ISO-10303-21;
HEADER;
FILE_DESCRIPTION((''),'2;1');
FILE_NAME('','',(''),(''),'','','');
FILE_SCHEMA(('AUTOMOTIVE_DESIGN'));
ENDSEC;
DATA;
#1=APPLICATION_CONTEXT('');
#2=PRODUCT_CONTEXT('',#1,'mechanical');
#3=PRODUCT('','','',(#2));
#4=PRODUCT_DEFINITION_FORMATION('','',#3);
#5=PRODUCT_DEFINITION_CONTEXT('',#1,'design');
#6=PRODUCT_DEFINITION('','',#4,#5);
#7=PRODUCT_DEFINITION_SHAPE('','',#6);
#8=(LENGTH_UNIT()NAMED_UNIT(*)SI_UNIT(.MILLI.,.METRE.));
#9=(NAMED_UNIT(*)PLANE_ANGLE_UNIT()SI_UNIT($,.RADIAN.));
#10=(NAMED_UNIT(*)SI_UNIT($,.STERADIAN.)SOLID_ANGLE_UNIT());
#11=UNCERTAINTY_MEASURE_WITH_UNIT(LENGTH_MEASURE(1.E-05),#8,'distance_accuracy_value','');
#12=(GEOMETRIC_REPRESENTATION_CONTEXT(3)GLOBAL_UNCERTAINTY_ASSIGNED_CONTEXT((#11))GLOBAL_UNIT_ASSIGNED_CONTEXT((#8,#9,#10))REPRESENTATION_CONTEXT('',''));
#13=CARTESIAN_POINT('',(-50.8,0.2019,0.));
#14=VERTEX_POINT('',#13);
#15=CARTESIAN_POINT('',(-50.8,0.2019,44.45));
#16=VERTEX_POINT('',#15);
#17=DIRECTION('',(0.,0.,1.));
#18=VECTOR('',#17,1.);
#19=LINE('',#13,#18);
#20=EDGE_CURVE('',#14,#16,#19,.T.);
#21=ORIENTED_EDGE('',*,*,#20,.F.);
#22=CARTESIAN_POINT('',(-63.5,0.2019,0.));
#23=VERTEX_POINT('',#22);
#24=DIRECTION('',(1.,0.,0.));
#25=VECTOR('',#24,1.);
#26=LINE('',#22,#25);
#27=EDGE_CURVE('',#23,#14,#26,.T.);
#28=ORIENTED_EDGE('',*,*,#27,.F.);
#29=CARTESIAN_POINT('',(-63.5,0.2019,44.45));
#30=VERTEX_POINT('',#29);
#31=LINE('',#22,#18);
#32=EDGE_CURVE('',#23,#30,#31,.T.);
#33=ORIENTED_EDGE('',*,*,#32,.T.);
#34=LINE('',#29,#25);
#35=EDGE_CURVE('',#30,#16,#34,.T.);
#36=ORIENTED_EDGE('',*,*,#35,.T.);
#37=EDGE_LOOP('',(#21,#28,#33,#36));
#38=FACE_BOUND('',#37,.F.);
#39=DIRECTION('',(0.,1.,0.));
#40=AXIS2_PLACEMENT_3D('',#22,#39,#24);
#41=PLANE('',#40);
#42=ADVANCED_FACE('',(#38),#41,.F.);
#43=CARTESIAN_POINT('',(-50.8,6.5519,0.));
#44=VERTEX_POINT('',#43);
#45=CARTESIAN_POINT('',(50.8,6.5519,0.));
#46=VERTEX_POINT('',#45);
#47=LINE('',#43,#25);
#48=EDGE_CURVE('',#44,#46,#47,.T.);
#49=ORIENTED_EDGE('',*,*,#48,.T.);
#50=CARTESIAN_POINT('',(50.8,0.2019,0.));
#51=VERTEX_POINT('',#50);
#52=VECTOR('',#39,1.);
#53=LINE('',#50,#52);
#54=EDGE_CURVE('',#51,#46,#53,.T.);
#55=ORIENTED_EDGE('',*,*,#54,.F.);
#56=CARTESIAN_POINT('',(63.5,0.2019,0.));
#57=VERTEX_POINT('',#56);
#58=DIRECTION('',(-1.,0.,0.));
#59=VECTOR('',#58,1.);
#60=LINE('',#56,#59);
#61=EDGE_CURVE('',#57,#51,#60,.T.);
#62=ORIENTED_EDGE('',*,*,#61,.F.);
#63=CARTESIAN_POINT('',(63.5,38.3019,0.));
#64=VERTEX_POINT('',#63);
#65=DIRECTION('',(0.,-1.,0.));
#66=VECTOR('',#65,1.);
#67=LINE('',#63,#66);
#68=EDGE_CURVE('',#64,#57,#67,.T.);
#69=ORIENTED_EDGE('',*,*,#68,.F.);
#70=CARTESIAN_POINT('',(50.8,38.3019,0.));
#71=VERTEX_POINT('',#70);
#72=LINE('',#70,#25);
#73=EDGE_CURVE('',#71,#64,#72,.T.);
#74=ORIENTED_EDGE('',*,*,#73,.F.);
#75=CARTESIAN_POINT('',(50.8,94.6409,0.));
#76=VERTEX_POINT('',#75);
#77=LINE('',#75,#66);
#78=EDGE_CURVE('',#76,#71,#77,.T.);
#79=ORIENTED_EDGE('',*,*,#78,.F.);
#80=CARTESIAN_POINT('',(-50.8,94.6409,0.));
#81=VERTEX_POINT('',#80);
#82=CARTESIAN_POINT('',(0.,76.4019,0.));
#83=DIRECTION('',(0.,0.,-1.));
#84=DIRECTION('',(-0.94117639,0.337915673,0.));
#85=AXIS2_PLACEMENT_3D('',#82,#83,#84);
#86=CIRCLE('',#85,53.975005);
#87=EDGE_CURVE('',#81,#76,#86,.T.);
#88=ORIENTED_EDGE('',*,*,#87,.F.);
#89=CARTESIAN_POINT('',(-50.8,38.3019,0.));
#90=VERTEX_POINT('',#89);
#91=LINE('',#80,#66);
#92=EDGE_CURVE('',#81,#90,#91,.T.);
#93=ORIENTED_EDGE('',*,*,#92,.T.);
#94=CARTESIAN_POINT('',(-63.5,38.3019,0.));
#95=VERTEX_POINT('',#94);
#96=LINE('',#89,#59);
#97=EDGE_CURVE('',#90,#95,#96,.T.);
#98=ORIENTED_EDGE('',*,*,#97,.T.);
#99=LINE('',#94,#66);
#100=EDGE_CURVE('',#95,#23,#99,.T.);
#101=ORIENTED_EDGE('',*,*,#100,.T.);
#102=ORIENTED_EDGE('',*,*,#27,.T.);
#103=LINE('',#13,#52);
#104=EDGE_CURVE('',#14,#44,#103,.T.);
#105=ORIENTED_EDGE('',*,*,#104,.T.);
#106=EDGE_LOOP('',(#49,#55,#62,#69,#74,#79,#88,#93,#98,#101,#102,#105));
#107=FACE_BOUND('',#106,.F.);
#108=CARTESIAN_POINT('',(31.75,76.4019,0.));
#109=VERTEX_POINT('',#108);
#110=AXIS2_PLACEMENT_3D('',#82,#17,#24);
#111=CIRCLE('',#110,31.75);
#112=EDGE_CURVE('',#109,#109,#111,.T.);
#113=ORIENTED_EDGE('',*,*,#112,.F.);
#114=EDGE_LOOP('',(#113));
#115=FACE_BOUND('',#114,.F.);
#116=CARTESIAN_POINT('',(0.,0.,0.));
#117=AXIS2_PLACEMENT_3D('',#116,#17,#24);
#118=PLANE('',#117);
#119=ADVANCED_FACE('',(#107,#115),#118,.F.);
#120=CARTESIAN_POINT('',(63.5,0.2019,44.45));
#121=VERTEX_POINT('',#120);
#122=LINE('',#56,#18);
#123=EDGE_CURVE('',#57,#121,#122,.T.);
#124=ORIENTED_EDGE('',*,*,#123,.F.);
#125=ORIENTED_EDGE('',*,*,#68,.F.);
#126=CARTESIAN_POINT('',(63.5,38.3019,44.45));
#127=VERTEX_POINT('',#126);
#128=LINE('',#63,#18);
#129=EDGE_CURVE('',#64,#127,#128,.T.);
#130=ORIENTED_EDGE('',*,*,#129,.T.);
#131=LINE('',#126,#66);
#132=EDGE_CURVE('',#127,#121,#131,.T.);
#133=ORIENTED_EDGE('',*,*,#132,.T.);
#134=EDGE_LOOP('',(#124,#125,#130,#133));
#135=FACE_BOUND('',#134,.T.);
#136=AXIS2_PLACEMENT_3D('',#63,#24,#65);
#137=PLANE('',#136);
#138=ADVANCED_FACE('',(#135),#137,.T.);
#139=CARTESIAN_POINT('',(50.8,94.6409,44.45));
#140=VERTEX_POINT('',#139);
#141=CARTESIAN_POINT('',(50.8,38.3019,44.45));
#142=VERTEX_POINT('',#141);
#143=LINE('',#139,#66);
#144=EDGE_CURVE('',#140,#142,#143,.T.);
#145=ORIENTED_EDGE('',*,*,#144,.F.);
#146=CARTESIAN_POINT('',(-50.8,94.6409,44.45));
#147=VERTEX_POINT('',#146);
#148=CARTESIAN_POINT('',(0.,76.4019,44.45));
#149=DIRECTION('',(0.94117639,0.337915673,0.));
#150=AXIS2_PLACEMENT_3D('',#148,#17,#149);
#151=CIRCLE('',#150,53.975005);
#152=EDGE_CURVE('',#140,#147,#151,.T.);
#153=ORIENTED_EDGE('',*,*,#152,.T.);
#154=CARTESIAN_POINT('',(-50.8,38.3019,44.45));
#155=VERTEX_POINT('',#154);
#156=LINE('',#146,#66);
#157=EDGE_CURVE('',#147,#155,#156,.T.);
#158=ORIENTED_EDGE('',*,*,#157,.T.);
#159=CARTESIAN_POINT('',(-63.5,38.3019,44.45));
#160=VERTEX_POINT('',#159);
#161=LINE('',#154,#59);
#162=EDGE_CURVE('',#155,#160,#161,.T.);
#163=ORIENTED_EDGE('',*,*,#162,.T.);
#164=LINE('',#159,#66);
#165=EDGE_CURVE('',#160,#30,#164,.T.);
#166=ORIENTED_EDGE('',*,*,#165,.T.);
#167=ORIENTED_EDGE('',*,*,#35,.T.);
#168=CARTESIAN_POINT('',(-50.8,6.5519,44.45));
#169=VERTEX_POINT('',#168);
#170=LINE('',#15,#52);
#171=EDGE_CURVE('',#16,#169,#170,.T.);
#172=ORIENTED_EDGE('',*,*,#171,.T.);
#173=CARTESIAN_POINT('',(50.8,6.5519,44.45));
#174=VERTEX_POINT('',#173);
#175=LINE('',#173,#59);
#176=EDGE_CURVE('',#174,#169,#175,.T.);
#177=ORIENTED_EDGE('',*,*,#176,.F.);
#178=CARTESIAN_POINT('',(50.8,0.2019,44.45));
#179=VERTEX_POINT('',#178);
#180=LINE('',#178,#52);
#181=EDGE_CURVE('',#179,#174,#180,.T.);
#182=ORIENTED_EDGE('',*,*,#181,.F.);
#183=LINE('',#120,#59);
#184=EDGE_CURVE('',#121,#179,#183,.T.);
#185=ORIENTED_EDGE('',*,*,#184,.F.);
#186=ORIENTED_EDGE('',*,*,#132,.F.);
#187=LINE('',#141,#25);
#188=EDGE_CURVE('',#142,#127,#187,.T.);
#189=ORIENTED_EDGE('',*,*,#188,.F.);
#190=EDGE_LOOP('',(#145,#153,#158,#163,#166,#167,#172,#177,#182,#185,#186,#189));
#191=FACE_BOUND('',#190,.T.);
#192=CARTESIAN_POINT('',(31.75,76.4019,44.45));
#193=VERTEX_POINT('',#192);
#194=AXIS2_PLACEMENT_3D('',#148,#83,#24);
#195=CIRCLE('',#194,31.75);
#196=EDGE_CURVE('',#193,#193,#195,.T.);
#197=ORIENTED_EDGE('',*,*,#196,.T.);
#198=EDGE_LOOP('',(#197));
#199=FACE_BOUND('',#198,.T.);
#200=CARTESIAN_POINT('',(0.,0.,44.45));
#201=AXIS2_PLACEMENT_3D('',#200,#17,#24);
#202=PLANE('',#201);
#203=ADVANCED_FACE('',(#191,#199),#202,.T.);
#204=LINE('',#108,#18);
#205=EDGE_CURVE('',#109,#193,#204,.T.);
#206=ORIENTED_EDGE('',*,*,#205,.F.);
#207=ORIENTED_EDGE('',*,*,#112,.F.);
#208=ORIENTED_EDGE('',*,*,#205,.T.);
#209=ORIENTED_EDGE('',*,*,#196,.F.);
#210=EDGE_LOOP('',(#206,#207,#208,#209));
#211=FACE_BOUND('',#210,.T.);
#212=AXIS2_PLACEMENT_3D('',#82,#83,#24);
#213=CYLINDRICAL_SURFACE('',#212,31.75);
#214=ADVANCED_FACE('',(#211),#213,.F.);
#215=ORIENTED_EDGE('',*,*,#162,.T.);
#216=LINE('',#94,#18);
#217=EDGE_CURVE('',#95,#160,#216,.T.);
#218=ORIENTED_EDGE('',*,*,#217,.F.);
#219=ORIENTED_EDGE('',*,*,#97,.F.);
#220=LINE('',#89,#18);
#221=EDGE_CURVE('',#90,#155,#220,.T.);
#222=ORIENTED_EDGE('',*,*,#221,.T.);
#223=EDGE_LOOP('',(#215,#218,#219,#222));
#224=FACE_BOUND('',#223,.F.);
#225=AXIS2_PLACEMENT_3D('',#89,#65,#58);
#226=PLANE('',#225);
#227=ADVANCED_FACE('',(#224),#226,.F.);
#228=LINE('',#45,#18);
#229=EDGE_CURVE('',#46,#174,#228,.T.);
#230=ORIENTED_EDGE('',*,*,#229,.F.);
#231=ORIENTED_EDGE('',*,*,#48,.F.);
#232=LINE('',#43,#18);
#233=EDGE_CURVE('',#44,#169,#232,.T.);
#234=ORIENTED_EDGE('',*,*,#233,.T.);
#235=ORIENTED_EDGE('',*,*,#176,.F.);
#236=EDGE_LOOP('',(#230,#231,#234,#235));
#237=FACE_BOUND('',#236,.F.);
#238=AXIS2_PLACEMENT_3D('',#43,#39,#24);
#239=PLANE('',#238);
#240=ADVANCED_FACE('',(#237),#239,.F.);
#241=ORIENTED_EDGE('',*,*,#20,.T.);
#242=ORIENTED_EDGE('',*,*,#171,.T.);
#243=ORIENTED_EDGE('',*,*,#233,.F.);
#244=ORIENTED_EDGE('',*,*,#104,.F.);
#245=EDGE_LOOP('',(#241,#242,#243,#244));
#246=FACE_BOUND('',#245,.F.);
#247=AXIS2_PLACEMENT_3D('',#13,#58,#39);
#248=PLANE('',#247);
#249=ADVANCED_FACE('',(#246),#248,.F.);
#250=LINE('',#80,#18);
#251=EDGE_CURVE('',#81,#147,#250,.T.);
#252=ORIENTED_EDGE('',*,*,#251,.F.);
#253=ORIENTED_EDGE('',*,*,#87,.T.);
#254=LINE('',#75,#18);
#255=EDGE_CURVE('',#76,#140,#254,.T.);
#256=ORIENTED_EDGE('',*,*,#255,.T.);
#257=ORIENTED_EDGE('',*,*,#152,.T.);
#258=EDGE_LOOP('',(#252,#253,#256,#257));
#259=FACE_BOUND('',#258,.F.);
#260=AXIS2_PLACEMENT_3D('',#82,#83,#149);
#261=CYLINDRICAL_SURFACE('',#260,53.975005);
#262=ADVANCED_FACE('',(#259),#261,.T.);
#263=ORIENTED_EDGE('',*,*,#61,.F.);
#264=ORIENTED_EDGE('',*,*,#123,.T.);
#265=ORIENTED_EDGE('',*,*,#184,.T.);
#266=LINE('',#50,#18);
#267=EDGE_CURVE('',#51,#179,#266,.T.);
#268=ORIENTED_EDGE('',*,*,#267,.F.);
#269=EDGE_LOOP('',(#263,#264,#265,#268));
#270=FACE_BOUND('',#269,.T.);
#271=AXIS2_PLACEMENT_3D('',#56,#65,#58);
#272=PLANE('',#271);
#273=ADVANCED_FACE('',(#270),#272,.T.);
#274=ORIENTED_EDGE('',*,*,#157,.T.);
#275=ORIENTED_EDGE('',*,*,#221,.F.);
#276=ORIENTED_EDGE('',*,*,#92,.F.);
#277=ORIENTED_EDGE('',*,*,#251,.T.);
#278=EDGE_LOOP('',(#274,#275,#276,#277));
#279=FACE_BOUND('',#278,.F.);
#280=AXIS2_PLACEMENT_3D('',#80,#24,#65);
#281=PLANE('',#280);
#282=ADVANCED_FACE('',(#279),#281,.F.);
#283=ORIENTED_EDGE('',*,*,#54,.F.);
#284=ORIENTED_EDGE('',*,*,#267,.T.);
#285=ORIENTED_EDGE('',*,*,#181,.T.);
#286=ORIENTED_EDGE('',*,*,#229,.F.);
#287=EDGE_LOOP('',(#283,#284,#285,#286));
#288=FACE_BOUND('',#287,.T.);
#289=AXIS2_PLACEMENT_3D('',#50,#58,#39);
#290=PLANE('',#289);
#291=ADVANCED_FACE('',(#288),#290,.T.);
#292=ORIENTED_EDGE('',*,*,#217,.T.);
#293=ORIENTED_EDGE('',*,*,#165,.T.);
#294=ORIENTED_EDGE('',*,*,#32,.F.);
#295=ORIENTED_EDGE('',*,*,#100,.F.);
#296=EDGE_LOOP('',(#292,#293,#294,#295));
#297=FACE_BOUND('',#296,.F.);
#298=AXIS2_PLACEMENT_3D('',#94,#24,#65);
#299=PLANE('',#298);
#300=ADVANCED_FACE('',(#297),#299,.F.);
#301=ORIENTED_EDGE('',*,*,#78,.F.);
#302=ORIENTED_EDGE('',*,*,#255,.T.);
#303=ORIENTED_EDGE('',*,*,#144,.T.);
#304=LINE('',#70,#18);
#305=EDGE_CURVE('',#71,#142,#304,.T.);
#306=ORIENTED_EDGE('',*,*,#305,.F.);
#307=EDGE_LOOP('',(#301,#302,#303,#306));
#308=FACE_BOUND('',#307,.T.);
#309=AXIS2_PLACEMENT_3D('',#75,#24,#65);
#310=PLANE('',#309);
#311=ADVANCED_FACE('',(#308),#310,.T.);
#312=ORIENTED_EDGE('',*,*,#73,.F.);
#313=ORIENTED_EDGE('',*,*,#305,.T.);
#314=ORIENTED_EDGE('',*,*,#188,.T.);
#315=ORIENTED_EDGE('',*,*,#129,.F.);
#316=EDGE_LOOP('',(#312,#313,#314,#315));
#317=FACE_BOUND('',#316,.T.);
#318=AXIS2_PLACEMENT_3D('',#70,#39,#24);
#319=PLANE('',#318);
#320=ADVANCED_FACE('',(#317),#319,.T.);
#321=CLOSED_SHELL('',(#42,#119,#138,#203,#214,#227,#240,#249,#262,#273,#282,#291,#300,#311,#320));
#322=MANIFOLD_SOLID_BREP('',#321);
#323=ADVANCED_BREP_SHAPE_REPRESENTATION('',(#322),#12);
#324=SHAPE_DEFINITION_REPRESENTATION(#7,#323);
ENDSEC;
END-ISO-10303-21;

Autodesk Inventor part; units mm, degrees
ref_plane "YZ Plane" through (0, 0, 0) normal (1, 0, 0) x (0, 1, 0)
ref_plane "XZ Plane" through (0, 0, 0) normal (0, 1, 0) x (-1, 0, 0)
ref_plane "XY Plane" through (0, 0, 0) normal (0, 0, 1) x (1, 0, 0)
sketch "Sketch1" plane through (0, 0, 0) normal (0, 0, 1) x (1, 0, 0)
  line L0 (0, 0) -> (0, 152.8038)
  line L1 (-50.8, 94.6409) -> (-50.8, 38.3019)
  line L2 (-50.8, 38.3019) -> (-63.5, 38.3019)
  line L3 (-63.5, 38.3019) -> (-63.5, 0.2019)
  line L4 (-63.5, 0.2019) -> (-50.8, 0.2019)
  line L5 (-50.8, 0.2019) -> (-50.8, 6.5519)
  line L6 (-50.8, 6.5519) -> (0, 6.5519)
  line L7 (50.8, 94.6409) -> (50.8, 38.3019)
  line L8 (50.8, 38.3019) -> (63.5, 38.3019)
  line L9 (63.5, 38.3019) -> (63.5, 0.2019)
  line L10 (63.5, 0.2019) -> (50.8, 0.2019)
  line L11 (50.8, 0.2019) -> (50.8, 6.5519)
  line L12 (50.8, 6.5519) -> (0, 6.5519)
  circle A0 centre (0, 76.4019) radius 31.75
  arc A1 (50.8, 94.6409) -> (-50.8, 94.6409) centre (0, 76.4019) ccw
  dimension "d9" = 63.5
  dimension "d10" = 76.2
  dimension "d11" = 101.6
  dimension "d12" = 12.7
  dimension "d13" = 6.35
  dimension "d14" = 38.1
  dimension "d15" = 53.975
extrude "Extrusion1" add sketch "Sketch1" along normal blind 44.45 contours L6 L5 L4 L3 L2 L1 A1 L0 A0 | L0 A0 A1 L7 L8 L9 L10 L11 L12
properties part number "GuideSlider" material "Iron, Cast"
